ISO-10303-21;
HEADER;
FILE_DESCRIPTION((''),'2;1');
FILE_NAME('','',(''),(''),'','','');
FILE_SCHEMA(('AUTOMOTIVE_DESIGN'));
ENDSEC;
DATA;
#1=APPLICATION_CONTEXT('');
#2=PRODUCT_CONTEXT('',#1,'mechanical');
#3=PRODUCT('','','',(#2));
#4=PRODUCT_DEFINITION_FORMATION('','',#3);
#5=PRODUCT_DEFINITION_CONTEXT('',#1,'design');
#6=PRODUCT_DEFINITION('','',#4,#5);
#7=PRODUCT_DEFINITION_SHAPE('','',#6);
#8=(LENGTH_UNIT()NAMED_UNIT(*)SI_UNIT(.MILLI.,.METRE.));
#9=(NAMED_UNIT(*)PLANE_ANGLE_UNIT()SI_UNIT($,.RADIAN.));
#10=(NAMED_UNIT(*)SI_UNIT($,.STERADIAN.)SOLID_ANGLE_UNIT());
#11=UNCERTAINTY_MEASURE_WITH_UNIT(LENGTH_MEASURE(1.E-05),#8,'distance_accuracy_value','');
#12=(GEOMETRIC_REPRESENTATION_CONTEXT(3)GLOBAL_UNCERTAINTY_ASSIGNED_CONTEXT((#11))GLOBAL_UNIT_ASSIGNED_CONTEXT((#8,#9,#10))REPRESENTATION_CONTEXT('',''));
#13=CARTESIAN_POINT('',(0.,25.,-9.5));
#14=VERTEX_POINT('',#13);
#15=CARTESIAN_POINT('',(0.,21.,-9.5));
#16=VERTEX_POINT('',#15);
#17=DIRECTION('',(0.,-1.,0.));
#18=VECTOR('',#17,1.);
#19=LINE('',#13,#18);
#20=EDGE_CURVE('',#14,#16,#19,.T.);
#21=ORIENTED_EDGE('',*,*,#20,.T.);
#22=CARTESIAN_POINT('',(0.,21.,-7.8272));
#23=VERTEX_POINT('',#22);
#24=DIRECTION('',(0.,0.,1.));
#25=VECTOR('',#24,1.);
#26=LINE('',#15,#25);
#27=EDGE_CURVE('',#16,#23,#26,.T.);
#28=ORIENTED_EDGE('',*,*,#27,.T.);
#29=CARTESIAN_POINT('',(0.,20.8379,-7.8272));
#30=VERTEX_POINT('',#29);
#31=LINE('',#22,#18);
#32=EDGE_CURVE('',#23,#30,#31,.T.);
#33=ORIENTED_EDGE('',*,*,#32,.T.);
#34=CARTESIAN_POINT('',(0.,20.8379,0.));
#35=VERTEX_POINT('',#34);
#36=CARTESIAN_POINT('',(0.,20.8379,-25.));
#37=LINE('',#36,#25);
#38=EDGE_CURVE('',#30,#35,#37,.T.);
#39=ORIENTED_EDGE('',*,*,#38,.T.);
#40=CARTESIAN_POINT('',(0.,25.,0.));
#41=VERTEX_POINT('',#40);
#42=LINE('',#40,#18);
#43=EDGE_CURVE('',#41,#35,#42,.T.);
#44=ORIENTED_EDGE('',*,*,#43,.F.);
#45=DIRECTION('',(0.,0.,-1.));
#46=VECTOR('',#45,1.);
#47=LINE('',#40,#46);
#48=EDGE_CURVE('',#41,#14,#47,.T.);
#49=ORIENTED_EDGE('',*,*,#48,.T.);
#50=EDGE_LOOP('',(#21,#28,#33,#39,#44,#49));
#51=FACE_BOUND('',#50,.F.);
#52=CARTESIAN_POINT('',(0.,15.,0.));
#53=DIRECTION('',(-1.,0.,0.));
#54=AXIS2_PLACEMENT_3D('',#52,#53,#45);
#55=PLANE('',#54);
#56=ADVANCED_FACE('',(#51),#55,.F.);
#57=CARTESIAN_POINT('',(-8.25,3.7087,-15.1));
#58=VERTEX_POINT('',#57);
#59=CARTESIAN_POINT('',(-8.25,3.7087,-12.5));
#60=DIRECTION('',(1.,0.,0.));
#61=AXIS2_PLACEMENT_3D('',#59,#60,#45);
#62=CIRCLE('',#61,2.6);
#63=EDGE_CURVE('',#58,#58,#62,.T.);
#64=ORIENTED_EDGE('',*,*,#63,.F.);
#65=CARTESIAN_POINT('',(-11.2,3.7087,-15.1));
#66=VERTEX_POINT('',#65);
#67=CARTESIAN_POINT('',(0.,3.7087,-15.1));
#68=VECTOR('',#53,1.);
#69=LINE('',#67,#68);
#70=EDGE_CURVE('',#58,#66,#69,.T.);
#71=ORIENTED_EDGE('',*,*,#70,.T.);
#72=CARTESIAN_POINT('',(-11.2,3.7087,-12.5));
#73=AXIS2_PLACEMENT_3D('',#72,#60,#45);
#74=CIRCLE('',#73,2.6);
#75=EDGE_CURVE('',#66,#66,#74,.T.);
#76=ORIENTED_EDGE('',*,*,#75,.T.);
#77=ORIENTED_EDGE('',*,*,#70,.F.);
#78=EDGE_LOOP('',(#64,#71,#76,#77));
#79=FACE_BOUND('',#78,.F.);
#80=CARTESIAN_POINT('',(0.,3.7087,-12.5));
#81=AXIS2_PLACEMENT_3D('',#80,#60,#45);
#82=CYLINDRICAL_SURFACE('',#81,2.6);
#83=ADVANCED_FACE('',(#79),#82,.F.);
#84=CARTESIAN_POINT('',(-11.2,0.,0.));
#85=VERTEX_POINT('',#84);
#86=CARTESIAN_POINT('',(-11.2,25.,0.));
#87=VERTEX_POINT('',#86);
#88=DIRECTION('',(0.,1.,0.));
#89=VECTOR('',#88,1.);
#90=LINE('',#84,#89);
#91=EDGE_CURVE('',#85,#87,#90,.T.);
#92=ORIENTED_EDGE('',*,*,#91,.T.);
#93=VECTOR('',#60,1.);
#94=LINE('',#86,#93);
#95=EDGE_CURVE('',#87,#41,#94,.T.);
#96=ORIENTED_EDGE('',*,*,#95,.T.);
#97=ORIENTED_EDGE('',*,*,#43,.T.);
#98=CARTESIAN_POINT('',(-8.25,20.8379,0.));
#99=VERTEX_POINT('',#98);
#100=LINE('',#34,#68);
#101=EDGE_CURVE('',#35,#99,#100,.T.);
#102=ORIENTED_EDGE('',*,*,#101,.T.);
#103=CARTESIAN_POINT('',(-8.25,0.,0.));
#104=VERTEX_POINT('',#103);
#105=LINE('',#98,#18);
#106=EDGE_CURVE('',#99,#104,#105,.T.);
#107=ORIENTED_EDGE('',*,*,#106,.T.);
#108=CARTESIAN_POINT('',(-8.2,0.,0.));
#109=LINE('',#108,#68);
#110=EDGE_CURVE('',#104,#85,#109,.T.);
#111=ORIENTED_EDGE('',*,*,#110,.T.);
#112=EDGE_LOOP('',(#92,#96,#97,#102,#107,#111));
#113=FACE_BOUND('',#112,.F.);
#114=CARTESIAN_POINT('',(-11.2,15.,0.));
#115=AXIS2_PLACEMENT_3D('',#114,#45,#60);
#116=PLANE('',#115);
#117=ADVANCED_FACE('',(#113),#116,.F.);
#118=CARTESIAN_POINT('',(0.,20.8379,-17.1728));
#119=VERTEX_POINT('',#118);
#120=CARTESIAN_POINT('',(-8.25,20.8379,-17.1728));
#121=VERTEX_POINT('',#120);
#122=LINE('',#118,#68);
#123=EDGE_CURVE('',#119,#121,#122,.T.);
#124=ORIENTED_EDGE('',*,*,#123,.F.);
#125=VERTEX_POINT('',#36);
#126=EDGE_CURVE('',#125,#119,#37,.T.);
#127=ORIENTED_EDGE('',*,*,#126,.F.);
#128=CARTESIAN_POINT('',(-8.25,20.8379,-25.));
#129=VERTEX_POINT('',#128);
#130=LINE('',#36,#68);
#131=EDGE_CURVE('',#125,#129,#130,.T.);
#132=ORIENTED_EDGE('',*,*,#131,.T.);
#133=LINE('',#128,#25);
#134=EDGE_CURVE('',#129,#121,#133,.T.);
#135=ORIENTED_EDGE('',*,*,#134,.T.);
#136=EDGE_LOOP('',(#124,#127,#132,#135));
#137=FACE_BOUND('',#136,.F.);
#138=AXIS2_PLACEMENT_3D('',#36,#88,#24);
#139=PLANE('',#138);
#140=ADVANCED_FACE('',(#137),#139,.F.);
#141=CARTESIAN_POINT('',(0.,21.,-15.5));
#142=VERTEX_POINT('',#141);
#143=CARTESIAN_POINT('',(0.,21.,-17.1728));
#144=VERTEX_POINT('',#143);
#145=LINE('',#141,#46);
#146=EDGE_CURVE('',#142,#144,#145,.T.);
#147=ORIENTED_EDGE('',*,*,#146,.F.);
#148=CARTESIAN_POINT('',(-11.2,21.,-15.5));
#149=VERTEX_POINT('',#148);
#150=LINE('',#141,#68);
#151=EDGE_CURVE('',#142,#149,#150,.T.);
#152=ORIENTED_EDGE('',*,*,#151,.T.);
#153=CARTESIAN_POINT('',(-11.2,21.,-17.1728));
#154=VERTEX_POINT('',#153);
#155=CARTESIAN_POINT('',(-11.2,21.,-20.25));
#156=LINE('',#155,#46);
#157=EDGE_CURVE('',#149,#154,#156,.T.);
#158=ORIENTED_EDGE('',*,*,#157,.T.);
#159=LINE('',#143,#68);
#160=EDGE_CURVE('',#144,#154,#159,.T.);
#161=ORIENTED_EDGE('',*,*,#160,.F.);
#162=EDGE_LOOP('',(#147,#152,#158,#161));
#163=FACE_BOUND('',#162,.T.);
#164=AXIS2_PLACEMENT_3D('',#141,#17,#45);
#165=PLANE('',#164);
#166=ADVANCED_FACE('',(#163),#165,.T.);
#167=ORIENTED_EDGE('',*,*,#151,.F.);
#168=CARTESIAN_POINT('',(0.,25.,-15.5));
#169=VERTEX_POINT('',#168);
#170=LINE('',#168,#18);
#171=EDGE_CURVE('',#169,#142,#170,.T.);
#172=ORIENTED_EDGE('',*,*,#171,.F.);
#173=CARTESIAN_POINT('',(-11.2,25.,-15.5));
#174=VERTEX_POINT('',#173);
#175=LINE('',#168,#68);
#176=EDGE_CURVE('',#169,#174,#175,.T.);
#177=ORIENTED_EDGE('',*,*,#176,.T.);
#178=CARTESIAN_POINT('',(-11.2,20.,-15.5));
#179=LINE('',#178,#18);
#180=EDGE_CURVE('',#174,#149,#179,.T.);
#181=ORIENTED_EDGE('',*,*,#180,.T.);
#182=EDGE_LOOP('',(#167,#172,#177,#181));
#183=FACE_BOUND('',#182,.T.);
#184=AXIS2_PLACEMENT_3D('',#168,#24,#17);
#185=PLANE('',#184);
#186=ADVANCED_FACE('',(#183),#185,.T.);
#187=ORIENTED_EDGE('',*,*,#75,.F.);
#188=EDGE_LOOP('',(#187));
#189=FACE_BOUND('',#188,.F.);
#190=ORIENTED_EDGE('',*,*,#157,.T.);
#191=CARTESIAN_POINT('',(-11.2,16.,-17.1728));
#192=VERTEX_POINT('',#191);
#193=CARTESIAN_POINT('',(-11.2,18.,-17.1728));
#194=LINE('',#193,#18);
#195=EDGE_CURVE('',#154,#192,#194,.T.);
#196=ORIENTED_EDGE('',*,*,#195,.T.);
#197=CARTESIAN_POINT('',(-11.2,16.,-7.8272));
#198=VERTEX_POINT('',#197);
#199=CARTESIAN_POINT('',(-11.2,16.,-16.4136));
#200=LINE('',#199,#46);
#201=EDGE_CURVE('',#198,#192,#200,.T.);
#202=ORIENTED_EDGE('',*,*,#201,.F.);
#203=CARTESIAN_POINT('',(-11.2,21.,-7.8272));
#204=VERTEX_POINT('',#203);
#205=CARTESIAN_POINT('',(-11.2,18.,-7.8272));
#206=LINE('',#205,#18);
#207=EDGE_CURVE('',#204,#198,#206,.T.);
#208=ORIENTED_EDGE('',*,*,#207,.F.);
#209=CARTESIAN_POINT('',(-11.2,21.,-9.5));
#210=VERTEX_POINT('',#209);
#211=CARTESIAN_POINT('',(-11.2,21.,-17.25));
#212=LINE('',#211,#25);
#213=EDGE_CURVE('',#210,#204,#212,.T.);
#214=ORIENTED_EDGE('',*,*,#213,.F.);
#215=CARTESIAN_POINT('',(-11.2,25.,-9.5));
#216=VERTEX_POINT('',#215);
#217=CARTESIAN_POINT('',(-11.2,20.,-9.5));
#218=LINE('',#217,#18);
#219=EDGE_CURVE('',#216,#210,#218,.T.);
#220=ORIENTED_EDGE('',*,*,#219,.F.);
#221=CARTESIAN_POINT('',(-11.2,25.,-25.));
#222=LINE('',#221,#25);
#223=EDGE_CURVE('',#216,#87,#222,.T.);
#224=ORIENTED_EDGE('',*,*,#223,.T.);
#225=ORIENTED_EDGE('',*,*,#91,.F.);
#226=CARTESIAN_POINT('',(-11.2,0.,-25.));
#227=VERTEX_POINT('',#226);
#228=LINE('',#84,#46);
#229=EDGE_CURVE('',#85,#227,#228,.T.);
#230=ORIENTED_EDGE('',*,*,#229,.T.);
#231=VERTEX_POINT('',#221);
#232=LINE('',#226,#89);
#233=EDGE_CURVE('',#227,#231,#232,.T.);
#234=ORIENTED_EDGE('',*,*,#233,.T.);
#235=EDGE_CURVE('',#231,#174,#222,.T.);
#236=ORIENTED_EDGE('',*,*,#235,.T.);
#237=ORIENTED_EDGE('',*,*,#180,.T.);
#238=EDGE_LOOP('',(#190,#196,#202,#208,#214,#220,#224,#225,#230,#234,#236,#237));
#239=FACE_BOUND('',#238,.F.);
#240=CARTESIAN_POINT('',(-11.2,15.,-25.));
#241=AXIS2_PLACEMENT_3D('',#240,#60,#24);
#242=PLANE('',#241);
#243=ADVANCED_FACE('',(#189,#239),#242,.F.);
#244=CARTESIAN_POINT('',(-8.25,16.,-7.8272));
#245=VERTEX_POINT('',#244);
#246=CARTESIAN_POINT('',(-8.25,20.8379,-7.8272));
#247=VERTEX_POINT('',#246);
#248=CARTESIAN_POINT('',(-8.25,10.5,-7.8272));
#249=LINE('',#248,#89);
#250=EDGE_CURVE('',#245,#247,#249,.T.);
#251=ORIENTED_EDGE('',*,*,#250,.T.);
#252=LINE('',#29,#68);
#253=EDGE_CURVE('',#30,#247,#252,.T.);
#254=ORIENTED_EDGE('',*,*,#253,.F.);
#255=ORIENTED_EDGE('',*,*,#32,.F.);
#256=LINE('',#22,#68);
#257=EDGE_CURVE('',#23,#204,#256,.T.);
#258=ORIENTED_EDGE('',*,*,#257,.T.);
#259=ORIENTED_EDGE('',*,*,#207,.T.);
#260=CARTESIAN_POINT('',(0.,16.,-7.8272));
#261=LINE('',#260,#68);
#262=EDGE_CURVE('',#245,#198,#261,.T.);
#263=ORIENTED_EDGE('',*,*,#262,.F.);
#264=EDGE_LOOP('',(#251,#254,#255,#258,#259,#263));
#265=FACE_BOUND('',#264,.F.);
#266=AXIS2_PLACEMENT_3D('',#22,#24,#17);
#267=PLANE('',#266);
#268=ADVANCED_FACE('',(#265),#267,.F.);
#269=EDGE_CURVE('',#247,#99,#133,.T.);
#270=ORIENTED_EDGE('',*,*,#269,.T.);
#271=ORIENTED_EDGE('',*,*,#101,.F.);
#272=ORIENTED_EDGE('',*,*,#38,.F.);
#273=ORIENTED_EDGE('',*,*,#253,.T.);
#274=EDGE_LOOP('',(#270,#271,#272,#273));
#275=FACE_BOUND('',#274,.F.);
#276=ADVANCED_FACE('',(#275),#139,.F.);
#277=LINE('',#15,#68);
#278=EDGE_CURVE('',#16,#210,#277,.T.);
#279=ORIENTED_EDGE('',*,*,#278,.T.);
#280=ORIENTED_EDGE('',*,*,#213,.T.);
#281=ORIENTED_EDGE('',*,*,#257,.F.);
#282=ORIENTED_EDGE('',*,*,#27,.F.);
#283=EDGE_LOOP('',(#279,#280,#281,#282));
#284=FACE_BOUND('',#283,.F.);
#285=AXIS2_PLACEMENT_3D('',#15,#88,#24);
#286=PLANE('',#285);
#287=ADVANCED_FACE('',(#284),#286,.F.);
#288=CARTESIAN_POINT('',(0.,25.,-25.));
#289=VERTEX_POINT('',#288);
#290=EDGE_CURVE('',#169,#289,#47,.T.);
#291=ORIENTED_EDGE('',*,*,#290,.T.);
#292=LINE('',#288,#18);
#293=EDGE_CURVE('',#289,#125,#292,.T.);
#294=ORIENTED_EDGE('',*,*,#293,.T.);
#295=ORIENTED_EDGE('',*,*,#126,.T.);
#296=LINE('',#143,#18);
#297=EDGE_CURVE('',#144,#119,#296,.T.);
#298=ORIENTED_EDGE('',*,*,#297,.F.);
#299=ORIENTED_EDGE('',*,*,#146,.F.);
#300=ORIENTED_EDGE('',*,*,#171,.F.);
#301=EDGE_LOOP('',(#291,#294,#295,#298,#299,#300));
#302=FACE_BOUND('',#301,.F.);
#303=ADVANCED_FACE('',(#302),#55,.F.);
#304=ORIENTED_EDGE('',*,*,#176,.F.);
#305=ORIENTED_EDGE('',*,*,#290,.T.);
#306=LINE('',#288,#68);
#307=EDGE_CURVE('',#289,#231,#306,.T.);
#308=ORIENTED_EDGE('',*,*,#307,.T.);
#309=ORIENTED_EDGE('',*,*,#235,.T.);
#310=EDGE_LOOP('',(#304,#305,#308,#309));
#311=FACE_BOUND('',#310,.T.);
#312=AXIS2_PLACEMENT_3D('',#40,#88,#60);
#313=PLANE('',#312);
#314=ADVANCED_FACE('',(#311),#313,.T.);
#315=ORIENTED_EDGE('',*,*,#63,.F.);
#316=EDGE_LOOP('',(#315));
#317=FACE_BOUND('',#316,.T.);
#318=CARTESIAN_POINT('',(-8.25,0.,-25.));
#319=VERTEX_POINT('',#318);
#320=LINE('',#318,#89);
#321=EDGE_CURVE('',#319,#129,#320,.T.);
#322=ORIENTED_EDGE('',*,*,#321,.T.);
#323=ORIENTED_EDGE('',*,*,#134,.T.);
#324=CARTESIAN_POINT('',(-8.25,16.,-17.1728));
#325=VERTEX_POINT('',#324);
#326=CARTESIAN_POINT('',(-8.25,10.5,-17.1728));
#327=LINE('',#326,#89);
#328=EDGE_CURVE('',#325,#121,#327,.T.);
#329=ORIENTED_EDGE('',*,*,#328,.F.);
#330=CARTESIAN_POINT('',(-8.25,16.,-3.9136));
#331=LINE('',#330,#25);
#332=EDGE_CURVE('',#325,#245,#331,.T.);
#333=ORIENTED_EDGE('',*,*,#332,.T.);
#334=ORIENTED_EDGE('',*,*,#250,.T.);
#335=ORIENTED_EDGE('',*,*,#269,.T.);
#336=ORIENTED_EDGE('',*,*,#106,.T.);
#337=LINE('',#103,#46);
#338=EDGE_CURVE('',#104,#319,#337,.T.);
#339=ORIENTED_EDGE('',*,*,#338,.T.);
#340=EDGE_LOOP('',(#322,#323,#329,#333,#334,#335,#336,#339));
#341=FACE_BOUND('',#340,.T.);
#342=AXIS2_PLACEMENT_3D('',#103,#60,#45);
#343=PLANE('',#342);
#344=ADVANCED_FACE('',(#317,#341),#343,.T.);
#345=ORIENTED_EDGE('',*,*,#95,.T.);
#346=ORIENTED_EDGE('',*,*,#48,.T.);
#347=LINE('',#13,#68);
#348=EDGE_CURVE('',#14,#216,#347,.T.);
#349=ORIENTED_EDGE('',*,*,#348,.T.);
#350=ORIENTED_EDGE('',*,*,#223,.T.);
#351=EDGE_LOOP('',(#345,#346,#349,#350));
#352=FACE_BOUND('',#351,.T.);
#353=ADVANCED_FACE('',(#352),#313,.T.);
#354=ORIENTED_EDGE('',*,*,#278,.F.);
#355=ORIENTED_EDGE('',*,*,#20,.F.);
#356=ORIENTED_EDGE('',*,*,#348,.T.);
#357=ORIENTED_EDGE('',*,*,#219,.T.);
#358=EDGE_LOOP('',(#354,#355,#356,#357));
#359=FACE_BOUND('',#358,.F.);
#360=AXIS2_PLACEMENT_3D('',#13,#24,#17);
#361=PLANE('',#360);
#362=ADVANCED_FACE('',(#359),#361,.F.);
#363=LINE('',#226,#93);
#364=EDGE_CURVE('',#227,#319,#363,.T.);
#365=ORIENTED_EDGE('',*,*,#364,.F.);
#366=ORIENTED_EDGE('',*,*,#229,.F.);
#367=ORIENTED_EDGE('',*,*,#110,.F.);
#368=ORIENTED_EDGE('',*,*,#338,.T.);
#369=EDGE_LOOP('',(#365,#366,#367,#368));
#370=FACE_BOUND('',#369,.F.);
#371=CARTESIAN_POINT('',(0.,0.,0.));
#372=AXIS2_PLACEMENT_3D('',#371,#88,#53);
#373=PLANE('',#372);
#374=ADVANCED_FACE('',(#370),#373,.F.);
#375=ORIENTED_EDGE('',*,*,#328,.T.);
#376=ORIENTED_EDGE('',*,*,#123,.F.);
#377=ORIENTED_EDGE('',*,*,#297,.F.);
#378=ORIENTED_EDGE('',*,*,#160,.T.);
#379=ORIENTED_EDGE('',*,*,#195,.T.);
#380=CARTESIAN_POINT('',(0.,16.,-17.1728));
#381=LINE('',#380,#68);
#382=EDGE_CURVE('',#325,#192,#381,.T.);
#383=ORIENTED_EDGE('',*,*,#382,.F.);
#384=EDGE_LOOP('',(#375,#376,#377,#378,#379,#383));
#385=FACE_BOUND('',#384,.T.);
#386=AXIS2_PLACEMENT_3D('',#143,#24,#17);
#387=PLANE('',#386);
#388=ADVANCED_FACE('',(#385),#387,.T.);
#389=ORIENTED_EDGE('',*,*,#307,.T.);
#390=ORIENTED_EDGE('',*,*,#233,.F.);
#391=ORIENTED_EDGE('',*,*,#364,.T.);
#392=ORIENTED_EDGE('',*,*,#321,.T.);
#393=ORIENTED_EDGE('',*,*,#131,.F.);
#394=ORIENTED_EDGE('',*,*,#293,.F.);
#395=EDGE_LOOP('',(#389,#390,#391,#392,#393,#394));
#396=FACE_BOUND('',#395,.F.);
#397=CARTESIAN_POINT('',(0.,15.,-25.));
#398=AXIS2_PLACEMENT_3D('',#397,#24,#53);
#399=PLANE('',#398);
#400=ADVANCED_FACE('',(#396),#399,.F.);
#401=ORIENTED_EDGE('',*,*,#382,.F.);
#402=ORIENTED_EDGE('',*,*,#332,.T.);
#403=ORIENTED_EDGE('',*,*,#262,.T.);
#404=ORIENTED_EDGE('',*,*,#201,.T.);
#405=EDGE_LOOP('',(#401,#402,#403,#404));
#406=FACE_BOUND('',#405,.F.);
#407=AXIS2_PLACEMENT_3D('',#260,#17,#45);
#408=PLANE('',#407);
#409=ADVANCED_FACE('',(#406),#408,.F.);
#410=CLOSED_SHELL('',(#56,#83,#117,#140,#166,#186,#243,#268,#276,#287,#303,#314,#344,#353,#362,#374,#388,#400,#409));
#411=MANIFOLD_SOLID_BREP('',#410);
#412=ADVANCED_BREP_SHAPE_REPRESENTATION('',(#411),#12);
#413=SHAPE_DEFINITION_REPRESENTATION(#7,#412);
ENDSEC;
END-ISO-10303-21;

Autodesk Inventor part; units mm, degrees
ref_plane "YZ Plane" through (0, 0, 0) normal (1, 0, 0) x (0, 1, 0)
ref_plane "XZ Plane" through (0, 0, 0) normal (0, 1, 0) x (-1, 0, 0)
ref_plane "XY Plane" through (0, 0, 0) normal (0, 0, 1) x (1, 0, 0)
sketch "Sketch1" plane through (0, 0, 0) normal (0, 1, 0) x (-1, 0, 0)
  line L0 (0, 0) -> (3, 0)
  line L1 (3, 0) -> (3, -25)
  line L2 (3, -25) -> (0, -25)
  line L3 (0, -25) -> (0, 0)
  line L4 (8.2, 0) -> (11.2, 0)
  line L5 (11.2, 0) -> (11.2, -25)
  line L6 (11.2, -25) -> (8.2, -25)
  line L7 (8.2, -25) -> (8.2, 0)
  point P0 (0, -12.5)
  point P1 (8.2, -12.5)
  dimension "d0" = 25
  dimension "d1" = 3
  dimension "d2" = 25
  dimension "d3" = 3
  dimension "d4" = 5.2
extrude "Extrusion1" add sketch "Sketch1" along normal blind 15
sketch "Sketch2" plane through (0, 15, 0) normal (0, 1, 0) x (1, 0, 0)
  line L0 (-11.2, 25) -> (-11.2, 0) projected
  line L1 (-11.2, 0) -> (0, 0)
  line L2 (0, 0) -> (0, 25)
  line L3 (0, 25) -> (-11.2, 25)
  line L4 (-11.2, 25) -> (-11.2, 0)
  point P0 (0, 0)
extrude "Extrusion2" add sketch "Sketch2" along normal blind 10
sketch "Sketch3" plane through (0, 0, 0) normal (1, 0, 0) x (0, 0, -1)
  line L0 (0, 25) -> (25, 25) projected
  line L1 (12.5, 25) -> (12.5, 0.2306)
  line L2 (9.5, 25) -> (9.5, 21)
  line L3 (9.5, 21) -> (7.8272, 21)
  line L4 (7.8272, 21) -> (7.8272, 16)
  line L5 (7.8272, 16) -> (12.5, 16)
  line L6 (15.5, 25) -> (15.5, 21)
  line L7 (15.5, 21) -> (17.1728, 21)
  line L8 (17.1728, 21) -> (17.1728, 16)
  line L9 (17.1728, 16) -> (12.5, 16)
  line L10 (9.5, 25) -> (15.5, 25)
  circle A0 centre (12.5, 3.7087) radius 2.6
  point P0 (0, 0)
  point P1 (8.6636, 21)
  dimension "d9" = 6
  dimension "d10" = 5
  dimension "d11" = 8
  dimension "d14" = 5.2
extrude "Extrusion3" cut sketch "Sketch3" against normal blind 20
sketch "Sketch4" plane through (0, 0, 0) normal (1, 0, 0) x (0, 0, -1)
  line L0 (0, 0) -> (25, 0) projected
  line L1 (25, 0) -> (25, 25) projected
  line L2 (0, 0) -> (25, 0)
  line L3 (25, 0) -> (25, 20.8379)
  line L4 (25, 20.8379) -> (0, 20.8379)
  line L5 (0, 20.8379) -> (0, 0)
extrude "Extrusion4" cut sketch "Sketch4" against normal blind 8.25
properties part number "RollXAxisEnd" material "Thermoplastic Resin"
